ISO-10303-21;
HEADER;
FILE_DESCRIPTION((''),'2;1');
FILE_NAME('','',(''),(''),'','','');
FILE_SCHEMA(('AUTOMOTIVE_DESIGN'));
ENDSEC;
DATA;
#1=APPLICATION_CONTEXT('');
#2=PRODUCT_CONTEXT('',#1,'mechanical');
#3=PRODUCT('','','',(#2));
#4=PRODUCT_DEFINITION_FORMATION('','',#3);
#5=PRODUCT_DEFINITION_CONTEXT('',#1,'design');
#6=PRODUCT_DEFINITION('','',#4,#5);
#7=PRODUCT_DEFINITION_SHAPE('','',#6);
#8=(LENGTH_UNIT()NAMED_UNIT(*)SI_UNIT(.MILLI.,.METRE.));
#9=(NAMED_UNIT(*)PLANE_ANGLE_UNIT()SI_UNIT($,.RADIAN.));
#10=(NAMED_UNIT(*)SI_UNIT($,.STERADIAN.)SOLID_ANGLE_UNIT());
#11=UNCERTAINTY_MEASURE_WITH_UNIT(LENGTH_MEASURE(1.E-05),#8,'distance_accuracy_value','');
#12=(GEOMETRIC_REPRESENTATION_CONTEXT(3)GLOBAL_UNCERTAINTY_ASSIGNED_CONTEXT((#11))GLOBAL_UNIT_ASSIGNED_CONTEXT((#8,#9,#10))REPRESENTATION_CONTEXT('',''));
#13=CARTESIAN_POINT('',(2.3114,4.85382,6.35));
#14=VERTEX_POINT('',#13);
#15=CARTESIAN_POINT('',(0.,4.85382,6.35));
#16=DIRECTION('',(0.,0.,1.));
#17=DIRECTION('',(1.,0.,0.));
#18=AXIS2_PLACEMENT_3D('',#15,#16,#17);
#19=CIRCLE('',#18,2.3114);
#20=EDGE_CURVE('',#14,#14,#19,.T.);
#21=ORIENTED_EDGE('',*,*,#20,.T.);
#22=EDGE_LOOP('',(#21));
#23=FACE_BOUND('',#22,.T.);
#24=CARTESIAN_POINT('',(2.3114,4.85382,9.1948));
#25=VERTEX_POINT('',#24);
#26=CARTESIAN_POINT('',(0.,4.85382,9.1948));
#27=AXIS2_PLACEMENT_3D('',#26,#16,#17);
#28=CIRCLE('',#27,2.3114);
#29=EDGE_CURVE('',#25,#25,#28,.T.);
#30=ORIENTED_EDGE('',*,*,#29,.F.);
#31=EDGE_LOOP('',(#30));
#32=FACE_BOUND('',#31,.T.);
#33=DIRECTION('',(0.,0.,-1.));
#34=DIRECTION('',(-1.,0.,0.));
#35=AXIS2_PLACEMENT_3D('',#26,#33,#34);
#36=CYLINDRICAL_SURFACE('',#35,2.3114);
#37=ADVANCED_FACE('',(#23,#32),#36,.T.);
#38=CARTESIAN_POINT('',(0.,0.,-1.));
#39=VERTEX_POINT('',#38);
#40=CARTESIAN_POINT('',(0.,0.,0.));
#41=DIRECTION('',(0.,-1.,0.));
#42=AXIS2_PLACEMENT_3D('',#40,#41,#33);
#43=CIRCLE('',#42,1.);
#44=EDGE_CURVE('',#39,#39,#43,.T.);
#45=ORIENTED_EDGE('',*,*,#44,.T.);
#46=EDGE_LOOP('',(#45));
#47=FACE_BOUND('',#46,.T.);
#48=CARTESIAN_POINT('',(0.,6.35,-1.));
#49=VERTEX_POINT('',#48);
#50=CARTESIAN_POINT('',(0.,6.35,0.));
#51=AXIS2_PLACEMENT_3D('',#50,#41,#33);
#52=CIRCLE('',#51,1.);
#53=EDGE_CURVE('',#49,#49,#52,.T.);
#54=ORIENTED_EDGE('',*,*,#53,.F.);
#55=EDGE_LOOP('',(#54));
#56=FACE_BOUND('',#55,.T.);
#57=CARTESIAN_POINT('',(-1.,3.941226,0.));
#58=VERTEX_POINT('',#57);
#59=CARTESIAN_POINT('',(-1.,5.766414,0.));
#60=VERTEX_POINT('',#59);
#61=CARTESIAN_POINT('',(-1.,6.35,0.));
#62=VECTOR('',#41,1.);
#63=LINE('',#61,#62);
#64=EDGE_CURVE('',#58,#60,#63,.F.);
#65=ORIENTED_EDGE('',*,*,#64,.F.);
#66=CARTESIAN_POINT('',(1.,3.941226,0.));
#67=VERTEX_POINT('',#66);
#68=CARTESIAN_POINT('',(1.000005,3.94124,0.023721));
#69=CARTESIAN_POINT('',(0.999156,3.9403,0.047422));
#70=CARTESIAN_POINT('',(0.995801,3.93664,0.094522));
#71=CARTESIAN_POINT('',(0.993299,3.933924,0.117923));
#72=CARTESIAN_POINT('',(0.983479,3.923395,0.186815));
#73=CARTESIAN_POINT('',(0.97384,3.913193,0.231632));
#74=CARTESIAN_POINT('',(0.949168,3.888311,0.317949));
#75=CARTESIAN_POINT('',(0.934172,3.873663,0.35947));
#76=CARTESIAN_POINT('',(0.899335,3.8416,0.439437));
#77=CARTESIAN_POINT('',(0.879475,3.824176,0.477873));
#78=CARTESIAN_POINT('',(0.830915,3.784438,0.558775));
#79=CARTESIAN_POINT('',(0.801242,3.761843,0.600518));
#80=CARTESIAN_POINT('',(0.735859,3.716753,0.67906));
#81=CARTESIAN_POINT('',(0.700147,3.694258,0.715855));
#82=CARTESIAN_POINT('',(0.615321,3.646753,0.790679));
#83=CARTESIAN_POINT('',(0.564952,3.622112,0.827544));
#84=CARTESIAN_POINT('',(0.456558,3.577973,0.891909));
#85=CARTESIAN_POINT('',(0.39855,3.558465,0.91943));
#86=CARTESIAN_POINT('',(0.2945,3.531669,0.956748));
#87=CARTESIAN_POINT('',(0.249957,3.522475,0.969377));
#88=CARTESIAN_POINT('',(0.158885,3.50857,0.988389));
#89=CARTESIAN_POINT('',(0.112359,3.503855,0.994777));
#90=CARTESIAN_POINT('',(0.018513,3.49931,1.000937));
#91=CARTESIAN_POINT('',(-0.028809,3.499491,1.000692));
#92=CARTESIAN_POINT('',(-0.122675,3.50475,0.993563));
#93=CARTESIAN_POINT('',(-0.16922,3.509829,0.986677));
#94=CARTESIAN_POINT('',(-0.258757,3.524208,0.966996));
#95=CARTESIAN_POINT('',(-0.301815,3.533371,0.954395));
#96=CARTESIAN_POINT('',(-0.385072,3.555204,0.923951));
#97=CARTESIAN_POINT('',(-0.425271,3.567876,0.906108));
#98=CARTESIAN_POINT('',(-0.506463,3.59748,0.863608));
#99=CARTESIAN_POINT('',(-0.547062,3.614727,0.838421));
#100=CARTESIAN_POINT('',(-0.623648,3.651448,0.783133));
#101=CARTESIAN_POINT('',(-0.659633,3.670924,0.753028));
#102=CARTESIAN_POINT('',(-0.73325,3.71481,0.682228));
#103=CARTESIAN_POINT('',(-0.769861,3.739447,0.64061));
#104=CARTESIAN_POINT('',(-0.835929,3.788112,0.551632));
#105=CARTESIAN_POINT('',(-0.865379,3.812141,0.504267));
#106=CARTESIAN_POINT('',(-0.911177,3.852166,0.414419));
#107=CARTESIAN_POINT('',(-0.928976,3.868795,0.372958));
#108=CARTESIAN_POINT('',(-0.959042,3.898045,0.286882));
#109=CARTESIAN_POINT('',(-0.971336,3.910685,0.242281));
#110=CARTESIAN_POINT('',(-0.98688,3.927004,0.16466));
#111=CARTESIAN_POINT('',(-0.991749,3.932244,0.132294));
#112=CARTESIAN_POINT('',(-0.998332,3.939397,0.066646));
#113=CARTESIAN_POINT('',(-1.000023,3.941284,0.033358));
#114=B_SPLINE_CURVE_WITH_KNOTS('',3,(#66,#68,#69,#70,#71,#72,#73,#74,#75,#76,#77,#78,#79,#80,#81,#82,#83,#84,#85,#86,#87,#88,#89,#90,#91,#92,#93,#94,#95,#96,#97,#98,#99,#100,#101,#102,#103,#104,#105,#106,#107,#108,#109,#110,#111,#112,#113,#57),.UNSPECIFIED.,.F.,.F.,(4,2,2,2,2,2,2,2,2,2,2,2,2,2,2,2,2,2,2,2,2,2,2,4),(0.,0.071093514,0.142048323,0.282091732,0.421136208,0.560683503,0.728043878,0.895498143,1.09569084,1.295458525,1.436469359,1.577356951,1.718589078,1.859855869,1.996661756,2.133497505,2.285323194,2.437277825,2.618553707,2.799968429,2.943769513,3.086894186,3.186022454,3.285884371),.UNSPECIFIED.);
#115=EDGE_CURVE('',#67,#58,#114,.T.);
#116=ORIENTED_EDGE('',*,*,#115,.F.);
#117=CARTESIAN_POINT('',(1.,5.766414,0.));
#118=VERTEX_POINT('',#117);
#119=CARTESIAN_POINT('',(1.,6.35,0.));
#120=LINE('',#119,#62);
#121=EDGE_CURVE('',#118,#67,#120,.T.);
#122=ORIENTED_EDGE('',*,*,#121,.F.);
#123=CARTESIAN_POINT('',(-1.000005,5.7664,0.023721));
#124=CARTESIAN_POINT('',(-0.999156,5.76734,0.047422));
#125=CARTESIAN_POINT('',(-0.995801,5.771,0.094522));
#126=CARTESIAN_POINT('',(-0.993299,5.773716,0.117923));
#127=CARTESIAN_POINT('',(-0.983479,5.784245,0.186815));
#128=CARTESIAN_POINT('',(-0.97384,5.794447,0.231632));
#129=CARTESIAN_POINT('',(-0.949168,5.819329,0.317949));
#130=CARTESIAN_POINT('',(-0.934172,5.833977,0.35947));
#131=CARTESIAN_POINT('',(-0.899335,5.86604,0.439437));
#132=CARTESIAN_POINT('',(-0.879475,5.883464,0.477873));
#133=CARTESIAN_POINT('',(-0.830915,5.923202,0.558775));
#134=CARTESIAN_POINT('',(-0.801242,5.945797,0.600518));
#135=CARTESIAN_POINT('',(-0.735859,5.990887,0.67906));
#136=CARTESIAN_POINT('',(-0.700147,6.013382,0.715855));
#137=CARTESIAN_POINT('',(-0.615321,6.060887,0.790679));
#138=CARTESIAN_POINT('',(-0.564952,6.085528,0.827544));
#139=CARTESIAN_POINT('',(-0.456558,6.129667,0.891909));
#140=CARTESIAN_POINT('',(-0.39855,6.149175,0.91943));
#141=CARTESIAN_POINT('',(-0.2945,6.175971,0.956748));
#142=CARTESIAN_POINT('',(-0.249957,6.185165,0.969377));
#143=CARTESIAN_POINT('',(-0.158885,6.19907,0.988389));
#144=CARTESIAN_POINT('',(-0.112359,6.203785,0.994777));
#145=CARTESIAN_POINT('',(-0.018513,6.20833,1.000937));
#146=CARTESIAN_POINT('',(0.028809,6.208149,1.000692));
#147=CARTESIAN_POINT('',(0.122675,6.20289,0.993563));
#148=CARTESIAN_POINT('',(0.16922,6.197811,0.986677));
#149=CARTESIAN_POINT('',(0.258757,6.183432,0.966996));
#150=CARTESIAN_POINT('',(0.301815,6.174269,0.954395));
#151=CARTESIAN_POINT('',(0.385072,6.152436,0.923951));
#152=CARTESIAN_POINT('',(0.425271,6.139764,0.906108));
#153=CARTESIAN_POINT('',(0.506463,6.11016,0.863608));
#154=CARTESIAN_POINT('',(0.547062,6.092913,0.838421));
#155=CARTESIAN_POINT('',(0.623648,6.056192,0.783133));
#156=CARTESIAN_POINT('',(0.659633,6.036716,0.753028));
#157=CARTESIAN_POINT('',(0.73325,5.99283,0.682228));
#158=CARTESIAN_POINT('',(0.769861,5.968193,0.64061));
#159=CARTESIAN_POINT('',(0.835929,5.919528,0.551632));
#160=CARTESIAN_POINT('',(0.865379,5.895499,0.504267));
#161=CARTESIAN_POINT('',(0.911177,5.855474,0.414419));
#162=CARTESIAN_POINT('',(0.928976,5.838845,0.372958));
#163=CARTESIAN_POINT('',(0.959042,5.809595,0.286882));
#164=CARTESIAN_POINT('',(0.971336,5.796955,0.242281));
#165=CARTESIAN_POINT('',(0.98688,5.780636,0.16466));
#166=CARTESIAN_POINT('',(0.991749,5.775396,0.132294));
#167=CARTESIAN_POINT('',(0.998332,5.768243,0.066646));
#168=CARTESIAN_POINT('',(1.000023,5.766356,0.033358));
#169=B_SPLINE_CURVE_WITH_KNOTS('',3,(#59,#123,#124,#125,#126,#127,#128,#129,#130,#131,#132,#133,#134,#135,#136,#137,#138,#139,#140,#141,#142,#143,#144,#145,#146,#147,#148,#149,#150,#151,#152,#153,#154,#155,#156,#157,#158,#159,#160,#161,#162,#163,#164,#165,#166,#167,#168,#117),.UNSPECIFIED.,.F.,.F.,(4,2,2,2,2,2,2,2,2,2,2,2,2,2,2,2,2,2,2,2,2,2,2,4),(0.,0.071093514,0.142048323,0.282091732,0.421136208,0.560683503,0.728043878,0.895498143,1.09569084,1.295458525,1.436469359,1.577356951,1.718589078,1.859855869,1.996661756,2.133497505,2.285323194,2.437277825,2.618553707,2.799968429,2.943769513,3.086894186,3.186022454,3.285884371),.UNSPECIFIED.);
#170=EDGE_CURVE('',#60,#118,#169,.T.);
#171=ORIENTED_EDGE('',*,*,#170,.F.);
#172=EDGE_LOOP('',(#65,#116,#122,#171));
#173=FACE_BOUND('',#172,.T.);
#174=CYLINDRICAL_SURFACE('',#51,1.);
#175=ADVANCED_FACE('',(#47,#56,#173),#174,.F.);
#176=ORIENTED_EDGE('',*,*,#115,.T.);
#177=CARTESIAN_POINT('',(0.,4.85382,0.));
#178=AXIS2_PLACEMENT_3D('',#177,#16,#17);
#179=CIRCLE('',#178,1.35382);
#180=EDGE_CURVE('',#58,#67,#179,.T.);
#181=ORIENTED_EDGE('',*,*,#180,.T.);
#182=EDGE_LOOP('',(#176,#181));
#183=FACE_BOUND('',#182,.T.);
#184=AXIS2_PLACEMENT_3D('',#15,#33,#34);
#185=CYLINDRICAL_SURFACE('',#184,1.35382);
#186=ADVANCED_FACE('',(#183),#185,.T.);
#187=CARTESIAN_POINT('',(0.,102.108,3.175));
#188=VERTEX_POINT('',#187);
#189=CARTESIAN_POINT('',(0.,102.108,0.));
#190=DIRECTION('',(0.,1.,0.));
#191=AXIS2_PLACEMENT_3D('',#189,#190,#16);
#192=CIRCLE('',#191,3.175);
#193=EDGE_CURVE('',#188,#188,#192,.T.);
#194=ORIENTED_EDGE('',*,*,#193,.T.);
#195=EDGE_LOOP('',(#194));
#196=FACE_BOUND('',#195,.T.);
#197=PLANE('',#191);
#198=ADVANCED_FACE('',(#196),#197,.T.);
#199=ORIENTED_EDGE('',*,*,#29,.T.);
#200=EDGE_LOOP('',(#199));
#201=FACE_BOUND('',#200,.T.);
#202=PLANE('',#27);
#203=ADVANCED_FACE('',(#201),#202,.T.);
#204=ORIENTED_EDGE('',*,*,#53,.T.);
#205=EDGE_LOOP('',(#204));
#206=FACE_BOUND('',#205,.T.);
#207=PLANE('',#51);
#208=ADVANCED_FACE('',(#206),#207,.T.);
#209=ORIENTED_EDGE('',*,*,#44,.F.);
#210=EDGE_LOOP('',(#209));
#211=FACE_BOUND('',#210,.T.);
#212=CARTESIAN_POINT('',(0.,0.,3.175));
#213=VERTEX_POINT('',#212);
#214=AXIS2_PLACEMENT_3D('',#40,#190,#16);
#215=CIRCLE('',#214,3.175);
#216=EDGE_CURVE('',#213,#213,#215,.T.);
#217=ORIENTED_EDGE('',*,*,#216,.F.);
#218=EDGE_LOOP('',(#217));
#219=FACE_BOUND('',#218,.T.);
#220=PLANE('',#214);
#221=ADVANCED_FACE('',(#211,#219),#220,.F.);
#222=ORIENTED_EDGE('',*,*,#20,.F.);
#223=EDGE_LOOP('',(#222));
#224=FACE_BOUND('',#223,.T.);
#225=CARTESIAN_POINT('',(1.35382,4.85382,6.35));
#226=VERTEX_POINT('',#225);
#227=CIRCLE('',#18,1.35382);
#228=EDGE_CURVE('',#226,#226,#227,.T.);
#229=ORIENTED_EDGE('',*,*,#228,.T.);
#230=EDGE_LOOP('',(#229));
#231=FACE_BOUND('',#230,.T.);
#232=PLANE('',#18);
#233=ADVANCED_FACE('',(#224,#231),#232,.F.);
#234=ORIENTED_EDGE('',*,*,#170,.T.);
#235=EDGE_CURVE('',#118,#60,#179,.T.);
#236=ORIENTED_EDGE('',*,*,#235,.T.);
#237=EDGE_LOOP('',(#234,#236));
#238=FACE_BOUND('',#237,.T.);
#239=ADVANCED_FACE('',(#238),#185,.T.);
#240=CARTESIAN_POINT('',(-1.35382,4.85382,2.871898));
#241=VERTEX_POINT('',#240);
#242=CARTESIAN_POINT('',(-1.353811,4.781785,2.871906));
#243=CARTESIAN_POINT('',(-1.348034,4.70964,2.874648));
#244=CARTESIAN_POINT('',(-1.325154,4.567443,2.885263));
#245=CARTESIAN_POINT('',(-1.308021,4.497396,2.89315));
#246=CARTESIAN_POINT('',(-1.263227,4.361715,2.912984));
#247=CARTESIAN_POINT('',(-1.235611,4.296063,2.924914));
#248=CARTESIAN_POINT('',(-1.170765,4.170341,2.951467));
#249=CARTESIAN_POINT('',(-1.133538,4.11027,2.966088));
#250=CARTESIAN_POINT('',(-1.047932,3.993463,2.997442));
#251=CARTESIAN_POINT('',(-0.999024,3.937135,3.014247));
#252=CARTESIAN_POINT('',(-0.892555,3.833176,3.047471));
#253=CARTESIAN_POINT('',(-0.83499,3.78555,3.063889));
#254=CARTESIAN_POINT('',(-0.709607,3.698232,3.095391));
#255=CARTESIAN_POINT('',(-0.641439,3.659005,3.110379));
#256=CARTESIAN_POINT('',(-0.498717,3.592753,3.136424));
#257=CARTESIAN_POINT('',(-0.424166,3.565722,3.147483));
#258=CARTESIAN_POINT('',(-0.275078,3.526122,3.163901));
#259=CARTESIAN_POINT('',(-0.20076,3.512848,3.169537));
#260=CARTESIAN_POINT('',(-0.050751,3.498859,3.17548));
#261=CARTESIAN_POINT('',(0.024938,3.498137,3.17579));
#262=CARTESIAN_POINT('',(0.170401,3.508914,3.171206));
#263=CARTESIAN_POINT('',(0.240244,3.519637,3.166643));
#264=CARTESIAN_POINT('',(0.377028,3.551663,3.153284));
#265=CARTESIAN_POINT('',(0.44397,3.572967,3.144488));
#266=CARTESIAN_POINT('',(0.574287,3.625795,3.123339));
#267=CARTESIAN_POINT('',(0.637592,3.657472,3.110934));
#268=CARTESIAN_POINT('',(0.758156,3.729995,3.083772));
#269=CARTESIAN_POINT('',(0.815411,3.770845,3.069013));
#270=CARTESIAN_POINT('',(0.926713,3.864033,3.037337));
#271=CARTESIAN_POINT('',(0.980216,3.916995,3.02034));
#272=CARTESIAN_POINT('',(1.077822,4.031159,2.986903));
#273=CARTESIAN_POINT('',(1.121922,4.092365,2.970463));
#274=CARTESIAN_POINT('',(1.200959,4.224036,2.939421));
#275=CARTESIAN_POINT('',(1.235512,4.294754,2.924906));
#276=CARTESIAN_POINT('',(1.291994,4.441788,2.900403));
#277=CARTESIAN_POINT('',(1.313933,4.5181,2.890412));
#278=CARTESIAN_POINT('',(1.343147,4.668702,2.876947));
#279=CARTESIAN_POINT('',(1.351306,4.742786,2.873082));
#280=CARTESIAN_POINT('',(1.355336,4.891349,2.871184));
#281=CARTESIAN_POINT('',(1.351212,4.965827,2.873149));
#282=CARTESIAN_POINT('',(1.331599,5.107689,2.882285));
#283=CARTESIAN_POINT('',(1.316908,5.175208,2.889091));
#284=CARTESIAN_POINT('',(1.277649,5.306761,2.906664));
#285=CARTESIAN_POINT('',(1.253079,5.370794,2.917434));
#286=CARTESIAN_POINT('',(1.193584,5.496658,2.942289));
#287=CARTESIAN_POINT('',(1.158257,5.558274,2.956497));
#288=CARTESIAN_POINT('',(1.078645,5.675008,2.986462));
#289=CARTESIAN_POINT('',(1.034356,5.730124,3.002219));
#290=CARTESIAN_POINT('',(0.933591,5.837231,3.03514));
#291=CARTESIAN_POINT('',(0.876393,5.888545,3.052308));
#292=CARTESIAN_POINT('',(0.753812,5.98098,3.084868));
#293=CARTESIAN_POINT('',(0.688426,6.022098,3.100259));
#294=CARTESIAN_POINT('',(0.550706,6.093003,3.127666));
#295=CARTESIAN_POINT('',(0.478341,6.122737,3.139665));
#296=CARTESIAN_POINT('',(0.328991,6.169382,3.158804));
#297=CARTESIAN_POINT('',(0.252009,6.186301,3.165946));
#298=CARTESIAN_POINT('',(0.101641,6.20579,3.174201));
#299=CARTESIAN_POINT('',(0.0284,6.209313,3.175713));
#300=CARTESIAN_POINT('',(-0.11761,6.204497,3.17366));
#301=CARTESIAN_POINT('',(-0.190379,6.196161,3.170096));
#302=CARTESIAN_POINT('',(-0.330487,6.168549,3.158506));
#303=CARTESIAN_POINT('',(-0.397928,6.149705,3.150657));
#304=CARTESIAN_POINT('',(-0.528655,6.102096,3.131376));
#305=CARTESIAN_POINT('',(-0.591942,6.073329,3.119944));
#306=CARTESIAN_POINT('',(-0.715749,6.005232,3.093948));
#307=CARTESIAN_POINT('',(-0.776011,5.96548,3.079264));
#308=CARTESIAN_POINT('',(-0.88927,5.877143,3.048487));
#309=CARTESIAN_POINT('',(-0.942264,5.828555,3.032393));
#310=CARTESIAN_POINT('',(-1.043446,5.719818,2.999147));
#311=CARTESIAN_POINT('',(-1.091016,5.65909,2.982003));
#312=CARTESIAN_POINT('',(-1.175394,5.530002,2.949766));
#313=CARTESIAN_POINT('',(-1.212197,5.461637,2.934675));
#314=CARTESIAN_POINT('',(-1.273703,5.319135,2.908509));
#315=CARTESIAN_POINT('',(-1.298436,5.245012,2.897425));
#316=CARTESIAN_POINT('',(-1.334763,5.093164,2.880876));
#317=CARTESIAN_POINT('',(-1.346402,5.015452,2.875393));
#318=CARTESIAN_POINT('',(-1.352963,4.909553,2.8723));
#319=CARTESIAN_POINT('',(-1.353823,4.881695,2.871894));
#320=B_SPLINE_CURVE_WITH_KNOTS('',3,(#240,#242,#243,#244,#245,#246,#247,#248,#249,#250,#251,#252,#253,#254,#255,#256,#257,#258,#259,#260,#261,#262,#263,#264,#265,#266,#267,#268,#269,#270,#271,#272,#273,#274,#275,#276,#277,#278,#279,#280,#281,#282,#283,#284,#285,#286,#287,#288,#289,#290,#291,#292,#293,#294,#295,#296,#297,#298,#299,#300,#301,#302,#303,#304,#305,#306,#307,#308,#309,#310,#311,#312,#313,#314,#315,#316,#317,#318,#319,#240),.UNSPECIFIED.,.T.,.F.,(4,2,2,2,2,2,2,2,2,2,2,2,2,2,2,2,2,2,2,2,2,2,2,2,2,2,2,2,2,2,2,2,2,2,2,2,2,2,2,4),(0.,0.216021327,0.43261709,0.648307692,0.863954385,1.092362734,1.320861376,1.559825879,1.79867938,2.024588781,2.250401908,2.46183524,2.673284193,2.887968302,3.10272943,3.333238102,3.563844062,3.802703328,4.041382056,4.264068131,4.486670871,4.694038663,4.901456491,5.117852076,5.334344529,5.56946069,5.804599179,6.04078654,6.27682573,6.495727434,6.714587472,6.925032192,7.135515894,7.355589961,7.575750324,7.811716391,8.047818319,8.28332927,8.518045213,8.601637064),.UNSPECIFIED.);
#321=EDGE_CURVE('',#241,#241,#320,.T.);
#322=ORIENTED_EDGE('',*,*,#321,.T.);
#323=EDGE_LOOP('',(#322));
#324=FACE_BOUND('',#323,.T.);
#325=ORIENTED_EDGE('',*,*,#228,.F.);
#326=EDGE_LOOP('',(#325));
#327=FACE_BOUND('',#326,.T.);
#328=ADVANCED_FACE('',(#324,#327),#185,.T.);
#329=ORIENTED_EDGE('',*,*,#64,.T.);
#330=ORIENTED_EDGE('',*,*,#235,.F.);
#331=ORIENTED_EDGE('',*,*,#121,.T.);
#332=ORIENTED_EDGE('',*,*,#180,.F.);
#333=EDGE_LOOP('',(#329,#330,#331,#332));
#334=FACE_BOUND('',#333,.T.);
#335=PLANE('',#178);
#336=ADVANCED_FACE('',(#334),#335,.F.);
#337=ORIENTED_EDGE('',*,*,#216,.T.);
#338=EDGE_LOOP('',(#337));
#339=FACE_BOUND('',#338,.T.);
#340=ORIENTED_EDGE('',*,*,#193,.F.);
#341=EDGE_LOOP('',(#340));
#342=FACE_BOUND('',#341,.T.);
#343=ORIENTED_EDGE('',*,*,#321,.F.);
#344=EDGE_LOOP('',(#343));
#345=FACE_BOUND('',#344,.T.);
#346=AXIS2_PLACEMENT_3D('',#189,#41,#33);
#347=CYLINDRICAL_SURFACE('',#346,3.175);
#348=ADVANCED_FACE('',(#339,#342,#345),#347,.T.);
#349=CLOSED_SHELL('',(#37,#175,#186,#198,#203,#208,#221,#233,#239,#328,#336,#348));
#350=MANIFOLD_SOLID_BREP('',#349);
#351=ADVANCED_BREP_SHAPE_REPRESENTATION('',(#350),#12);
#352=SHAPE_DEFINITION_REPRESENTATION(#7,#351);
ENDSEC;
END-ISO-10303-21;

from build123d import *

# Parameters (mm, degrees)
SKETCH1_R           = 3.175
EXTRUDE1_DEPTH      = 102.108
SKETCH2_R           = 1
EXTRUDE2_DEPTH      = 6.35
SKETCH4_R           = 1.35382
BOSS_EXTRUDE2_DEPTH = 6.35
SKETCH5_R           = 2.3114
BOSS_EXTRUDE3_DEPTH = 2.8448


with BuildPart() as part:
    # Sketch1 → Extrude1 (new body)
    with BuildSketch(Plane(origin=(0, 0, 0), x_dir=(1, 0, 0), z_dir=(0, 1, 0))):
        with Locations(Location((0, 0, 0), (0, 0, 270))):  # turned: the seam where the file's is
            Circle(SKETCH1_R)
    extrude(amount=EXTRUDE1_DEPTH)

    # Sketch2 → Extrude2 (cut)
    with BuildSketch(Plane.XZ):
        with Locations(Location((0, 0, 0), (0, 0, 270))):  # turned: the seam where the file's is
            Circle(SKETCH2_R)
    extrude(amount=-EXTRUDE2_DEPTH, mode=Mode.SUBTRACT)

    # Sketch4 → Boss-Extrude2 (add)
    with BuildSketch(Plane.XY):
        with Locations(Location((0, 4.85382, 0), (0, 0, 180))):  # turned: the seam where the file's is
            Circle(SKETCH4_R)
    extrude(amount=BOSS_EXTRUDE2_DEPTH)

    # Sketch5 → Boss-Extrude3 (add)
    with BuildSketch(Plane.XY.offset(6.35)):
        with Locations((0, 4.85382)):
            Circle(SKETCH5_R)
    extrude(amount=BOSS_EXTRUDE3_DEPTH)


solid = part.part
